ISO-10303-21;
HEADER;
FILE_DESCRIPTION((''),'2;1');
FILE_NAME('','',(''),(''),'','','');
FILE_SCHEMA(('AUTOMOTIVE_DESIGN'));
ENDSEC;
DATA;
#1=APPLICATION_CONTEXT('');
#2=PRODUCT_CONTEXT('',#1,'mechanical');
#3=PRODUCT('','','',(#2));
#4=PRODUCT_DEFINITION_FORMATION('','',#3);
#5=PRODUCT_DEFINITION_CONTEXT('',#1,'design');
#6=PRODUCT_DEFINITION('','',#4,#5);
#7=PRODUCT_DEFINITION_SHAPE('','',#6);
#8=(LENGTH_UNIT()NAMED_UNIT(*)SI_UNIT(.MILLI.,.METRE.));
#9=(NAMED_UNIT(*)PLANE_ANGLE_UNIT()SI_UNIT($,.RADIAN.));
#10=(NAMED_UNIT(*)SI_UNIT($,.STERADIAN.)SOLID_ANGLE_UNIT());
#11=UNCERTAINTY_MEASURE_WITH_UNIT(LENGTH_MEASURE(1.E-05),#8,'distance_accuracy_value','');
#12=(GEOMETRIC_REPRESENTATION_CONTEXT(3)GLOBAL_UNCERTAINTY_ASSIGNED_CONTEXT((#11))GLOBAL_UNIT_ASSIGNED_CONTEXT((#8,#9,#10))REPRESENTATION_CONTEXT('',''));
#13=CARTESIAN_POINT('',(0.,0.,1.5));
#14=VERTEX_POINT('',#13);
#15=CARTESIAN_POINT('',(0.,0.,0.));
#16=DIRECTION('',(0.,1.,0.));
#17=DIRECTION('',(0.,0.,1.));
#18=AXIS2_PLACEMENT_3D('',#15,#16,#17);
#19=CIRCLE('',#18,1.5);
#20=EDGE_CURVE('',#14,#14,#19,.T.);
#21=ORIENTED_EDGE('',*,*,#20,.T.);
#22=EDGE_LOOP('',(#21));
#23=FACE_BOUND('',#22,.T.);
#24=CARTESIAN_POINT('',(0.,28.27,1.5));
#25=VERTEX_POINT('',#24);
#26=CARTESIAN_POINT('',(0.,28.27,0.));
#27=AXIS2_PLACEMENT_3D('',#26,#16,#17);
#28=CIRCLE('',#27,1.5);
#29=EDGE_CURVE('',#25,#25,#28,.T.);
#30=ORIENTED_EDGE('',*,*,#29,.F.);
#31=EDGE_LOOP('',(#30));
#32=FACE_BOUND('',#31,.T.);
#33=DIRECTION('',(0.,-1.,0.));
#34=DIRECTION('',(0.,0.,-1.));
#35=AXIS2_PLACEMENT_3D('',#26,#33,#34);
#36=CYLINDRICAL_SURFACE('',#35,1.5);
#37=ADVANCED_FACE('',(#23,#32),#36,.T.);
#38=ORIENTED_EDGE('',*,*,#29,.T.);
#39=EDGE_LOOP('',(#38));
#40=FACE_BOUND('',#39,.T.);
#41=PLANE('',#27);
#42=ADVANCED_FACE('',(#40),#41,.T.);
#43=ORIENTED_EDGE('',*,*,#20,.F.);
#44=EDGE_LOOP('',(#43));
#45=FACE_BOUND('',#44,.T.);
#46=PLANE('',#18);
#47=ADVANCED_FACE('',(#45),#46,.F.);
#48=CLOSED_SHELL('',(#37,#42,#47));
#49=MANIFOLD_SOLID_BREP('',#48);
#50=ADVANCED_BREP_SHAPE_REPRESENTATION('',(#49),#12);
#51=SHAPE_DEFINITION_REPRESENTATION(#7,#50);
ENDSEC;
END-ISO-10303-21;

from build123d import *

# Parameters (mm, degrees)
SKETCH1_R           = 1.5
BOSS_EXTRUDE1_DEPTH = 28.27


with BuildPart() as part:
    # Sketch1 → Boss-Extrude1 (new body)
    with BuildSketch(Plane(origin=(0, 0, 0), x_dir=(1, 0, 0), z_dir=(0, 1, 0))):
        Circle(SKETCH1_R)
    extrude(amount=BOSS_EXTRUDE1_DEPTH)


solid = part.part
